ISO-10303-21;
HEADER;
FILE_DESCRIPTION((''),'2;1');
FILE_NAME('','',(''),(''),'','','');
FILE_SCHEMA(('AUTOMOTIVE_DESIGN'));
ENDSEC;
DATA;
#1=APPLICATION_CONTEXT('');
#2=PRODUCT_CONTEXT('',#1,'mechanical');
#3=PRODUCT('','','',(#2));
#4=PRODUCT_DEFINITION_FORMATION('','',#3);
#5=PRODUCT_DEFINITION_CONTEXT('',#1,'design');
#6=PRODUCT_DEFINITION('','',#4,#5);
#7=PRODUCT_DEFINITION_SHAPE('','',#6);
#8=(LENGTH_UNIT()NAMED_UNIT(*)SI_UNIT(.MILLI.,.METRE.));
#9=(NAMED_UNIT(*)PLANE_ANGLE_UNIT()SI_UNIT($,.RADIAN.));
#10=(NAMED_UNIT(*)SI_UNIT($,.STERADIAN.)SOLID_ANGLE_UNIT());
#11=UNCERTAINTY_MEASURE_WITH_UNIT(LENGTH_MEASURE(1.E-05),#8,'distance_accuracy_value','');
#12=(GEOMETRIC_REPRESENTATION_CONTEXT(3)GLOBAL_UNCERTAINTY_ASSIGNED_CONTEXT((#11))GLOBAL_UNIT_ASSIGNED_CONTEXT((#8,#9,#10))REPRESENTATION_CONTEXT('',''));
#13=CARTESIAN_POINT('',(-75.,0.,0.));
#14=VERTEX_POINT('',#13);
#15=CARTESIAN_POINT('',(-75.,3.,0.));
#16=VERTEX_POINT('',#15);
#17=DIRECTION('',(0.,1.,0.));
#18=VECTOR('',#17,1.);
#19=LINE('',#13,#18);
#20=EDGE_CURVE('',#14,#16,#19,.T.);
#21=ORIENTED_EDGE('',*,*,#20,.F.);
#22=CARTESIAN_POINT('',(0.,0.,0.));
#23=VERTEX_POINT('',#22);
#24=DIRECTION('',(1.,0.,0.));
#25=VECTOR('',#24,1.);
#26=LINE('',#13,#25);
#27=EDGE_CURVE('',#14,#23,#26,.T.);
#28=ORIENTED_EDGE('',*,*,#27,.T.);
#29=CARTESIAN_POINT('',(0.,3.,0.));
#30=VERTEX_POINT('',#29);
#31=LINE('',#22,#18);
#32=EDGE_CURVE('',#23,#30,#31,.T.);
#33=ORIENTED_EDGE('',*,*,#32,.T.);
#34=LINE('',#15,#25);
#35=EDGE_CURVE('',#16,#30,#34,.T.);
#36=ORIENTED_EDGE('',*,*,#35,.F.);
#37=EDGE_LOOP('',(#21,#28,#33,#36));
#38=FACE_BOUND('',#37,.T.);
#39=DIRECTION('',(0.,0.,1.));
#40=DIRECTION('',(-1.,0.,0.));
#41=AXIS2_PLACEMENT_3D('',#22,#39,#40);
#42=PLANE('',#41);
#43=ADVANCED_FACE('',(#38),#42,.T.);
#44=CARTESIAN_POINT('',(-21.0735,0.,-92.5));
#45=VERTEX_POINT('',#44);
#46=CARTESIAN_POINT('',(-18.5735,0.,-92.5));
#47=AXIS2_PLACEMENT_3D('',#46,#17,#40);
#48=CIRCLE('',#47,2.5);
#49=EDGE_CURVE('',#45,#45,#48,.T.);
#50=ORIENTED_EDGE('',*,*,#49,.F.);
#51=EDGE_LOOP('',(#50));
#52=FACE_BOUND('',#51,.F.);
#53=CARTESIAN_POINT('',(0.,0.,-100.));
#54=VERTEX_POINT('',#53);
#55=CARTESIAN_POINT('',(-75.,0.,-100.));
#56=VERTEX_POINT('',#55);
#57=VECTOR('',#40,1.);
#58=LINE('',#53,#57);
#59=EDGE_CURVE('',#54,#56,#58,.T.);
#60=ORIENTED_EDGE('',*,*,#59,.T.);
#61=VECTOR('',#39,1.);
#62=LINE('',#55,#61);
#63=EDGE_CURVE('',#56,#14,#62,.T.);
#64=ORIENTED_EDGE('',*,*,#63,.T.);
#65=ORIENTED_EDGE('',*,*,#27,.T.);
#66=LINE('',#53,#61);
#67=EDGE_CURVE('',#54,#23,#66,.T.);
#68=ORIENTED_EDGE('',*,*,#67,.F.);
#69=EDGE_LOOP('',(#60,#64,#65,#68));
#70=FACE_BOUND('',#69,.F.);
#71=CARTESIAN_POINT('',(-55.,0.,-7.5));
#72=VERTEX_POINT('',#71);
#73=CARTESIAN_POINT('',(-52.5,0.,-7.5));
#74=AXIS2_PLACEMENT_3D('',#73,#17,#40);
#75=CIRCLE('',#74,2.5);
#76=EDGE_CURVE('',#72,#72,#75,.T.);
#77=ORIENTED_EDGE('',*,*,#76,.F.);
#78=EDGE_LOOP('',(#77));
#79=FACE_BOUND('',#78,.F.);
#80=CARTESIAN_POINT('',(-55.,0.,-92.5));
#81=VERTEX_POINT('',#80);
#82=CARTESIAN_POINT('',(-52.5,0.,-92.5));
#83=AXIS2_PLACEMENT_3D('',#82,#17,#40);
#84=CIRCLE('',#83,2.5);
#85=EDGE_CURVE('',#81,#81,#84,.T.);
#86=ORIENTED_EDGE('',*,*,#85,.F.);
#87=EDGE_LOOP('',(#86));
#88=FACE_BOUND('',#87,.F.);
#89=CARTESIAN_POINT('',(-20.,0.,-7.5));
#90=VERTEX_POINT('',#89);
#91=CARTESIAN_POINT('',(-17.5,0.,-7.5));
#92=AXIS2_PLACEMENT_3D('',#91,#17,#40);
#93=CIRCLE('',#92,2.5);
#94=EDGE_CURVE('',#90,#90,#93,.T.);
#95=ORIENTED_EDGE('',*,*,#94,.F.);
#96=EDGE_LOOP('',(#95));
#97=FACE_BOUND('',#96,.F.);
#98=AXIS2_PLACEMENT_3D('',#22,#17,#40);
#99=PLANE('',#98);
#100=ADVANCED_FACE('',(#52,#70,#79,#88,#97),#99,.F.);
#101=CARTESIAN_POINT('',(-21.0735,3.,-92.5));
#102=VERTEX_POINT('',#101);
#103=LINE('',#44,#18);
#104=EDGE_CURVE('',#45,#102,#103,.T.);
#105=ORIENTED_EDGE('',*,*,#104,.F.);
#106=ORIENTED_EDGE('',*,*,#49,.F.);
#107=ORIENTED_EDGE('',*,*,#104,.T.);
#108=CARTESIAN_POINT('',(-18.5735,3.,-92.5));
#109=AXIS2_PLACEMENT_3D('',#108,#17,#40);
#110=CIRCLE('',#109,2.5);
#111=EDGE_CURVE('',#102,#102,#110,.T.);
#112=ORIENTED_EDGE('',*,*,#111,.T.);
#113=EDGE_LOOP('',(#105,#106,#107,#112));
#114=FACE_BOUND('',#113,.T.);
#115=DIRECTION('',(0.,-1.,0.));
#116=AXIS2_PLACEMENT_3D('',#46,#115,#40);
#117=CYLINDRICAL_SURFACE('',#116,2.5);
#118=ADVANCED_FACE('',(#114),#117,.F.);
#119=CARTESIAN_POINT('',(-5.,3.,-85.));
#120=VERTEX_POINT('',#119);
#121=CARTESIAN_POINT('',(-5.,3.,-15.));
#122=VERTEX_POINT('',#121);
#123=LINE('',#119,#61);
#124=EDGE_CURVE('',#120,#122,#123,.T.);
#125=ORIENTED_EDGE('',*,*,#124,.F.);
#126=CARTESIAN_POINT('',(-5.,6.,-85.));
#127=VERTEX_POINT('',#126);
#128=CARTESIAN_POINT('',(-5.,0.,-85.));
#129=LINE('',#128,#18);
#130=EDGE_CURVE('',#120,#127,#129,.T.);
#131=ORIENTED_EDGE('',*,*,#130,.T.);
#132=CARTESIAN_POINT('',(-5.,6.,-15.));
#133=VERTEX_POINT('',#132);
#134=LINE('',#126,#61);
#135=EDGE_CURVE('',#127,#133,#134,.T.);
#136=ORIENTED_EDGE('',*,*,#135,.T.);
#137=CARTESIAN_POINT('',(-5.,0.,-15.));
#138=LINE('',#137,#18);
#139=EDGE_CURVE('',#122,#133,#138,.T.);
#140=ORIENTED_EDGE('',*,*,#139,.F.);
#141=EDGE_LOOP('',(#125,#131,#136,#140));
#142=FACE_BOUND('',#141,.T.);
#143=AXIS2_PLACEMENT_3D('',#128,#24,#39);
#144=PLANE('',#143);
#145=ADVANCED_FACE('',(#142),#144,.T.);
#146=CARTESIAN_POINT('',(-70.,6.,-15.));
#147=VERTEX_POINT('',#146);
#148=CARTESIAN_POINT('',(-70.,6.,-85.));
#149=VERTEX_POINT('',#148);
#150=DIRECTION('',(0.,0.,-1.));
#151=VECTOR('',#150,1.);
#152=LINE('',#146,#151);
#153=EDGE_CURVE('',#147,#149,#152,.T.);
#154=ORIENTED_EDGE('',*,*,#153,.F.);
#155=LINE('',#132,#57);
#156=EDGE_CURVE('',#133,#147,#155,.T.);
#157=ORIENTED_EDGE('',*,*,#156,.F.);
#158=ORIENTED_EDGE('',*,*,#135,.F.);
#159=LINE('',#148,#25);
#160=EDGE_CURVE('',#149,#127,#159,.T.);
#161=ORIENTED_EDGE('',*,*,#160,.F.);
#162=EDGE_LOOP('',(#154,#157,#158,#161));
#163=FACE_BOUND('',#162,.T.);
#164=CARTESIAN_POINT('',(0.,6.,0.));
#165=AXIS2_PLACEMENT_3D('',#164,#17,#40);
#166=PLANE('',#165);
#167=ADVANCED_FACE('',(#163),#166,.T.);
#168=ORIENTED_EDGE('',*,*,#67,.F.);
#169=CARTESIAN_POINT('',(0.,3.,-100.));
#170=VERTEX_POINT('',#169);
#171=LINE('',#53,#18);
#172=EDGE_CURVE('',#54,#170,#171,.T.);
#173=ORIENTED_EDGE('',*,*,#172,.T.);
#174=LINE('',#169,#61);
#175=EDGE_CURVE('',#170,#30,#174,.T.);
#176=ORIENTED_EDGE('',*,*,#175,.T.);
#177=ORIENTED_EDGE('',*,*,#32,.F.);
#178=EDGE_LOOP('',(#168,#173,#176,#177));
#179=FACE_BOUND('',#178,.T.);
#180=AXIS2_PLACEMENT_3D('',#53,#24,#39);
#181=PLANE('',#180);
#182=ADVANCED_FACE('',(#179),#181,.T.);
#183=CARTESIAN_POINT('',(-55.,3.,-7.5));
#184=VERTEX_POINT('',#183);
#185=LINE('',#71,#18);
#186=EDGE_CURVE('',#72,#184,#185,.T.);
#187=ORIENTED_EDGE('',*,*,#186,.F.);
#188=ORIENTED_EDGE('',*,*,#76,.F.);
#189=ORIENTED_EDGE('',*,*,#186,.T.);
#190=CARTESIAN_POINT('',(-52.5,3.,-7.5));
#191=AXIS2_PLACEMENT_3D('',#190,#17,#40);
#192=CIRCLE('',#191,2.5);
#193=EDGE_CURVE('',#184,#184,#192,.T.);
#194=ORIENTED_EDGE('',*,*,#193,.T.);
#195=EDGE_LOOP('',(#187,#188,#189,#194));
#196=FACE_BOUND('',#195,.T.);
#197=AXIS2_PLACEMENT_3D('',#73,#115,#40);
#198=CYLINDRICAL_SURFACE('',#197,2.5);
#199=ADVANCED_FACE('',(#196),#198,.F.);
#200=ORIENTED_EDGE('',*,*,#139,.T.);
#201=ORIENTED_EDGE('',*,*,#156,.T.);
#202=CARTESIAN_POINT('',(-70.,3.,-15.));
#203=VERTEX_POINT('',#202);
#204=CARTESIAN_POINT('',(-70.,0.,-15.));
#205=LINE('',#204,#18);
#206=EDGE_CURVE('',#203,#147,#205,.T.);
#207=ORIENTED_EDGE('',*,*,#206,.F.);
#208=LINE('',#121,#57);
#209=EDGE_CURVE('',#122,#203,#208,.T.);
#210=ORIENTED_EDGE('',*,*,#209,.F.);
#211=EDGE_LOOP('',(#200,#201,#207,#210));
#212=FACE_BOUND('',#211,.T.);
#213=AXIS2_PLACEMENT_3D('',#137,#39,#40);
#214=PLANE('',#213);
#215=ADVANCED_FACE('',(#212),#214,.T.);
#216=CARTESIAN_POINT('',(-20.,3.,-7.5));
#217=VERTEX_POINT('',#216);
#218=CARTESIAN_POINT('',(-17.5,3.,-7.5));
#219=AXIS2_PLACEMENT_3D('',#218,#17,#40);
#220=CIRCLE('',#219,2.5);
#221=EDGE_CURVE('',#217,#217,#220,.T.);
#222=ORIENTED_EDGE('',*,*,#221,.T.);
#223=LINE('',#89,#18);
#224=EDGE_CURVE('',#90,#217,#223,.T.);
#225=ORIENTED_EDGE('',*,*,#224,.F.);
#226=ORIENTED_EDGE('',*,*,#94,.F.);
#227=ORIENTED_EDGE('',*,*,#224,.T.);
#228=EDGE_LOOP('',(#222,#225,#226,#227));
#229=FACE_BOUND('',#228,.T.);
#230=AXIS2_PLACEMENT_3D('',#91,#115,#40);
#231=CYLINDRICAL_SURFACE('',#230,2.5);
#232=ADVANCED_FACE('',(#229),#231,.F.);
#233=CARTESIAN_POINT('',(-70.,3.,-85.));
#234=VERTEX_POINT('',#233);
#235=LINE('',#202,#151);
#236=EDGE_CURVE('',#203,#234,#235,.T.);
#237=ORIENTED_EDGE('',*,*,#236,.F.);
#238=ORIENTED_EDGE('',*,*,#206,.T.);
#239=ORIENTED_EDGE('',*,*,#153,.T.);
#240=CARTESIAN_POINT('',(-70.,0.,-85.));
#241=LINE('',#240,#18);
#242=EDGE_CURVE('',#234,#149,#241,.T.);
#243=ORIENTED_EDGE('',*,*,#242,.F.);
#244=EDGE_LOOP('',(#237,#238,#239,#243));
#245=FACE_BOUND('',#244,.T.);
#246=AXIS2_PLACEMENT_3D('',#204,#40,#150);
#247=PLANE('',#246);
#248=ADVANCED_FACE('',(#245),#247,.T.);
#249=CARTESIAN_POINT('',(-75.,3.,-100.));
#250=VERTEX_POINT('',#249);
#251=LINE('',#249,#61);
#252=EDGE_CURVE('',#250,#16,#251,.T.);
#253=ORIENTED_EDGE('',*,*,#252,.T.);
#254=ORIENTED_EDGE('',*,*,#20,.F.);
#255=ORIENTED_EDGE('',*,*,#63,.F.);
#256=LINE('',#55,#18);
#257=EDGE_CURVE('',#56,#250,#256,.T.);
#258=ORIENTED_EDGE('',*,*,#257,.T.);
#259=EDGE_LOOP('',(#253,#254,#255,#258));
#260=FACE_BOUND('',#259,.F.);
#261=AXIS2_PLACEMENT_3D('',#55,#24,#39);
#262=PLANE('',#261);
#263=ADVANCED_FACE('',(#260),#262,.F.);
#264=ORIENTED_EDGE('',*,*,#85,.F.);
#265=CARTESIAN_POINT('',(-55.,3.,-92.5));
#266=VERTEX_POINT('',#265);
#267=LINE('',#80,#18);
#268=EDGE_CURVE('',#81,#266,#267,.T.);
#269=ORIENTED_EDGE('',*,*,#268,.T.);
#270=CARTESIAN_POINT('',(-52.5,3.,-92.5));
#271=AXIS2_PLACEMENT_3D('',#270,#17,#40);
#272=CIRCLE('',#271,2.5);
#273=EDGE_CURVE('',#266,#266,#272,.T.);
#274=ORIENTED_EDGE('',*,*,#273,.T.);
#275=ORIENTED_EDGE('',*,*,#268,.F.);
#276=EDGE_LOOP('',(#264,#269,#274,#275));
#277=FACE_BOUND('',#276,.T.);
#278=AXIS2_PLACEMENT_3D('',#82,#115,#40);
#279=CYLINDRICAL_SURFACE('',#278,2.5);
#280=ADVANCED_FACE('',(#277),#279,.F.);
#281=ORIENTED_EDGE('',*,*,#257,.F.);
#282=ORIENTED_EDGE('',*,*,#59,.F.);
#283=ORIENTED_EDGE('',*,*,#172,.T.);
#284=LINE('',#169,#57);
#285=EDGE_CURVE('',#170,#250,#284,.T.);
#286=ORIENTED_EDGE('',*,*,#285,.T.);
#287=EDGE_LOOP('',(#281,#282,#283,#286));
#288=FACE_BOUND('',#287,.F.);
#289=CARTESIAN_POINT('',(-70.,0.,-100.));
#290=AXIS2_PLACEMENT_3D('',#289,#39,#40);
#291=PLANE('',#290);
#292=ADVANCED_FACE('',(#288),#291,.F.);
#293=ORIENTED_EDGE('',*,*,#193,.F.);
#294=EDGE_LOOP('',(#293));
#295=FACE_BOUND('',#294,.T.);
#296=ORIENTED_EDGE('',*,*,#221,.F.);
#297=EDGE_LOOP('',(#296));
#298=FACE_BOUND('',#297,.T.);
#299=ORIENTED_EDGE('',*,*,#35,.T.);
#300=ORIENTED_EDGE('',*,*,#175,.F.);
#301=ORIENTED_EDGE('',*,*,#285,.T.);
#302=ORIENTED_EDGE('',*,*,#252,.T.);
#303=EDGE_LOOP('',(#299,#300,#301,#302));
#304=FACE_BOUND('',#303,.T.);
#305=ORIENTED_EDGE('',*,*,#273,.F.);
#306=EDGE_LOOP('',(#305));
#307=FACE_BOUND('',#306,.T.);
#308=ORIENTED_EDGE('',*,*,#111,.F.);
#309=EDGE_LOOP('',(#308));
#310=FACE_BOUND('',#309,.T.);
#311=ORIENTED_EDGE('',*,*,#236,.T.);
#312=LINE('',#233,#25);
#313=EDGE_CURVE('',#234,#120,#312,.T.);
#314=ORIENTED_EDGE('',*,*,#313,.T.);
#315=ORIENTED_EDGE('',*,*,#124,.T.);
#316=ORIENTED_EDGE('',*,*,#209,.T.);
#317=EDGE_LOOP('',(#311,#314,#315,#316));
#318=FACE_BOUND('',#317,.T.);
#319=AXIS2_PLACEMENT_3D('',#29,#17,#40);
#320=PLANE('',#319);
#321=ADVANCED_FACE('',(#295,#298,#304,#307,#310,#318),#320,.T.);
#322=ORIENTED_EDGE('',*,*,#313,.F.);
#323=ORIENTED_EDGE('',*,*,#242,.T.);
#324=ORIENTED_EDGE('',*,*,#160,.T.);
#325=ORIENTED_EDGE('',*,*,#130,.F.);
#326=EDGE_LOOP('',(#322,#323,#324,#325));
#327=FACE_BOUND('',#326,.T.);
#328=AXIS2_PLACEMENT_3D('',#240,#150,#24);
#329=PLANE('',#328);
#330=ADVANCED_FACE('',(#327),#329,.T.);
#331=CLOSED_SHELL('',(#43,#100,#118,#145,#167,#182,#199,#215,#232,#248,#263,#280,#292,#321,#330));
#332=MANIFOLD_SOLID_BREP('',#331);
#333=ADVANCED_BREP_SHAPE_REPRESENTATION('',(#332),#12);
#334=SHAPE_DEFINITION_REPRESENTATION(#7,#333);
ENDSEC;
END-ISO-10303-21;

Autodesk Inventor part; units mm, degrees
ref_plane "YZ Plane" through (0, 0, 0) normal (1, 0, 0) x (0, 1, 0)
ref_plane "XZ Plane" through (0, 0, 0) normal (0, 1, 0) x (-1, 0, 0)
ref_plane "XY Plane" through (0, 0, 0) normal (0, 0, 1) x (1, 0, 0)
sketch "Sketch1" plane through (0, 0, 0) normal (0, 1, 0) x (-1, 0, 0)
  line L0 (0, 0) -> (70, 0)
  line L1 (70, -100) -> (0, -100)
  line L2 (0, -100) -> (0, 0)
  line L3 (35, 0) -> (70, 0)
  line L4 (0, 0) -> (35, 0)
  line L5 (35, -100) -> (70, -100)
  line L6 (2.147, -100) -> (35, -100)
  circle A0 centre (52.5, -7.5) radius 2.5
  circle A1 centre (17.5, -7.5) radius 2.5
  circle A2 centre (18.5735, -92.5) radius 2.5
  circle A3 centre (52.5, -92.5) radius 2.5
  line L7 (70, -85) -> (5, -85)
  line L8 (5, -85) -> (5, -15)
  line L9 (5, -15) -> (70, -15)
  line L10 (70, -100) -> (75, -100)
  line L11 (75, -100) -> (75, 0)
  line L12 (75, 0) -> (70, 0)
  line L13 (70, -15) -> (70, -85)
  line L14 (75, 0) -> (0, 0)
  dimension "d0" = 100
  dimension "d1" = 70
  dimension "d17" = 5
  dimension "d18" = 5
  dimension "d19" = 5
  dimension "d20" = 5
  dimension "d22" = 65
  dimension "d23" = 70
  dimension "d24" = 5
  dimension "d25" = 70
extrude "Extrusion1" add sketch "Sketch1" along normal blind 6 contours L7 L8 L9 L13
extrude "Extrusion2" add sketch "Sketch1" along normal blind 3
properties part number "tapapic"
